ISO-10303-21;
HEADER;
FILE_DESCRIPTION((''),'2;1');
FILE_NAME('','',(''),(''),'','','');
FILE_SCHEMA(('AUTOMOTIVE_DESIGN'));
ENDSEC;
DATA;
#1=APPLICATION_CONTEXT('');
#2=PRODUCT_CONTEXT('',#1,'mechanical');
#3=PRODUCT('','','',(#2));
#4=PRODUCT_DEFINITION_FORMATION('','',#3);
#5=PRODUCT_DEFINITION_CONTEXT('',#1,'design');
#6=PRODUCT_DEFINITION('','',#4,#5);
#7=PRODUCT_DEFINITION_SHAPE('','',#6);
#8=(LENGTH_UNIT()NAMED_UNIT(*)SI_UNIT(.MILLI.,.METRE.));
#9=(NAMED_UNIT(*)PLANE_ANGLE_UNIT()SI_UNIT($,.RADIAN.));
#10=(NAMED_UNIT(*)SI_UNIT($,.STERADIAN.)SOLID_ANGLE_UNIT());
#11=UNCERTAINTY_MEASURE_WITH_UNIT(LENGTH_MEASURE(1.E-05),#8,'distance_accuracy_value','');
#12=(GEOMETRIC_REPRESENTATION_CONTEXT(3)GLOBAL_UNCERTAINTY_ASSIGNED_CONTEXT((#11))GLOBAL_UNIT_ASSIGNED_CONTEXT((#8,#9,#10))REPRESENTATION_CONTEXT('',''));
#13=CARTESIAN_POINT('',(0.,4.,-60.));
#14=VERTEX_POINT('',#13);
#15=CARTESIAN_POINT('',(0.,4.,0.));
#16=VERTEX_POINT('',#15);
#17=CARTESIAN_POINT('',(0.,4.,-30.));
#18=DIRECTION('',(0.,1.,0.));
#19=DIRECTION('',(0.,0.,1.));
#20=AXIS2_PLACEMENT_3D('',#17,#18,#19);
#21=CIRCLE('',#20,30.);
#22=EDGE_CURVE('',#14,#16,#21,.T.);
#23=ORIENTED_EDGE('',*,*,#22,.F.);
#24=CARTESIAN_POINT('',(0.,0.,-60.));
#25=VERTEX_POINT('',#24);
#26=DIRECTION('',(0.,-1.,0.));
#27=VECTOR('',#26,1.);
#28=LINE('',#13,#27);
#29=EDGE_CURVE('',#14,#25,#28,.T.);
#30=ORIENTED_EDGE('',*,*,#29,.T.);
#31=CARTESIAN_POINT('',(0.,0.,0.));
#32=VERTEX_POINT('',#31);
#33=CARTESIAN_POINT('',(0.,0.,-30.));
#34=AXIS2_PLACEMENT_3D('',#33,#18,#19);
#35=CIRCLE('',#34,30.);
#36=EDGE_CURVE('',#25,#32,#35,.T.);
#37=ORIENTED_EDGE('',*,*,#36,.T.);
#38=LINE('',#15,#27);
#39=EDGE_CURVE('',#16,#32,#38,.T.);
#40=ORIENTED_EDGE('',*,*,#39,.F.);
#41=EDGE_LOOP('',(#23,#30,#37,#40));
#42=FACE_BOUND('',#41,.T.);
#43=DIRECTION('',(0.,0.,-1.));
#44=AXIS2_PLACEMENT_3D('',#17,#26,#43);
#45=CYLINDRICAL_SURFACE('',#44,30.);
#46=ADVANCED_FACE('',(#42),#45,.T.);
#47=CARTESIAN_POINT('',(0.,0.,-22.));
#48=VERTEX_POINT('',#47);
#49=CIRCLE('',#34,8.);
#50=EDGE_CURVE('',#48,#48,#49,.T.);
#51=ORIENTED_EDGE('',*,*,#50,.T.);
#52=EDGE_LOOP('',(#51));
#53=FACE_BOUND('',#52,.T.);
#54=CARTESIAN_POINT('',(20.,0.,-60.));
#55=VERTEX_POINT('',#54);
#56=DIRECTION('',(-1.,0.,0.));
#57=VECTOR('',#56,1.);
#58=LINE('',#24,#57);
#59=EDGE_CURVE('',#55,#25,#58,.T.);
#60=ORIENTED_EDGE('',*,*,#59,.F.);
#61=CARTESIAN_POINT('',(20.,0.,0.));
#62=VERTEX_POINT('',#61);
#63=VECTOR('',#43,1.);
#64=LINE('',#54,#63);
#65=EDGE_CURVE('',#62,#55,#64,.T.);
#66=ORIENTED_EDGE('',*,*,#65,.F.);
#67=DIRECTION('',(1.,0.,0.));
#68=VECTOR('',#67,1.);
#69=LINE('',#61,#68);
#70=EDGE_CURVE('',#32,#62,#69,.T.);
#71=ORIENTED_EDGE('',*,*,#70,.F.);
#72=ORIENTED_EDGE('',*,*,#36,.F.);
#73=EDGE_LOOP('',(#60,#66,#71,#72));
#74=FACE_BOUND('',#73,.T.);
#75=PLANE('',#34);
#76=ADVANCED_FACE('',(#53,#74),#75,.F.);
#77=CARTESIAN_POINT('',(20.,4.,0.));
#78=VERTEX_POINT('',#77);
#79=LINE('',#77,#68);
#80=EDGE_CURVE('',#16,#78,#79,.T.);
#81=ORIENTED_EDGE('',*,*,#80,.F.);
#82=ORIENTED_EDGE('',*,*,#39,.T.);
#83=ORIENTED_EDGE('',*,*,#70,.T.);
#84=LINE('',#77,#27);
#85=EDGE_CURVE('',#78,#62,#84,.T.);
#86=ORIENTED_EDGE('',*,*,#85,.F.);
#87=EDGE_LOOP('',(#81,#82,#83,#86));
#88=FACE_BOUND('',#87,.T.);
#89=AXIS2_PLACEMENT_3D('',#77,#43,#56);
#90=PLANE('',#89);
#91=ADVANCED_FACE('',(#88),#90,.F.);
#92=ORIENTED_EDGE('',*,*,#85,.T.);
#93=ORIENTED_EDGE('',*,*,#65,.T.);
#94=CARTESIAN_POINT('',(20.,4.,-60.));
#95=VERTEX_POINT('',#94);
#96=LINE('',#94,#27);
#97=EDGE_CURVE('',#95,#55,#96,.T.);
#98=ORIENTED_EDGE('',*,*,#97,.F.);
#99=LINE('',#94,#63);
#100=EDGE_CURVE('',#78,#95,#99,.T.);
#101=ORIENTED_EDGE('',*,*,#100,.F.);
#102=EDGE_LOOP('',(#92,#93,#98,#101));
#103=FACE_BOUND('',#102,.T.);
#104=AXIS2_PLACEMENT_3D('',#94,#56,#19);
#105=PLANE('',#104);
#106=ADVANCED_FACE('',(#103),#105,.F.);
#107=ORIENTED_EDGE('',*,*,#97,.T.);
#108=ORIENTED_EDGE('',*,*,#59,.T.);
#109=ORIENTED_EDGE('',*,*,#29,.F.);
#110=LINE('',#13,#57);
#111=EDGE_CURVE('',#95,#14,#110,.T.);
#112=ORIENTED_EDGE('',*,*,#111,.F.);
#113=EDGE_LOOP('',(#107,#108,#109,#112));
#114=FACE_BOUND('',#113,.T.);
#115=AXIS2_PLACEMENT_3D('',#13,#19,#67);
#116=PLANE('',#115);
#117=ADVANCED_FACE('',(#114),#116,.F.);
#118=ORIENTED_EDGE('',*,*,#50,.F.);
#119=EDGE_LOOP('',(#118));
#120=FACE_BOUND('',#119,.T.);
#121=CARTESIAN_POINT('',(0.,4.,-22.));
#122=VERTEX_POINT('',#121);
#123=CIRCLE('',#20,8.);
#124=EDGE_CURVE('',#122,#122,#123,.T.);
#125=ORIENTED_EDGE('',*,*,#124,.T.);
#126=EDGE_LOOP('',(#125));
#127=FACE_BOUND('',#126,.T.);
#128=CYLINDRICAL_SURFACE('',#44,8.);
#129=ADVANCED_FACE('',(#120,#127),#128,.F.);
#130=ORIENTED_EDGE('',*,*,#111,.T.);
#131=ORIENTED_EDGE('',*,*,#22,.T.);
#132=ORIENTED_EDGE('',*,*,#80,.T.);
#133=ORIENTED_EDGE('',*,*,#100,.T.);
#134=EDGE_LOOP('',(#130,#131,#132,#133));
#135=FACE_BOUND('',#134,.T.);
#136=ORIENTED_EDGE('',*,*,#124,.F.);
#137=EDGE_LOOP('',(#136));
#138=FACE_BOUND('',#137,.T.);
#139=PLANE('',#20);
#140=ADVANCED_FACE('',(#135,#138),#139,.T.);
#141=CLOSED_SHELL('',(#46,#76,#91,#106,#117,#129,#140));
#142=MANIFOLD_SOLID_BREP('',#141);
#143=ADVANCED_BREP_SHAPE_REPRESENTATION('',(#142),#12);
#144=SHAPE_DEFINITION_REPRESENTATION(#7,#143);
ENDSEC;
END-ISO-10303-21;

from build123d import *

# Parameters (mm, degrees)
SKETCH1_R           = 8
BOSS_EXTRUDE1_DEPTH = 4


with BuildPart() as part:
    # Sketch1 → Boss-Extrude1 (new body)
    with BuildSketch(Plane(origin=(0, 0, 0), x_dir=(1, 0, 0), z_dir=(0, 1, 0))):
        with BuildLine():
            Line((0, 60), (20, 60))
            Line((20, 60), (20, 0))
            Line((20, 0), (0, 0))
            ThreePointArc((0, 0), (-30, 30), (0, 60))
        make_face()
        with Locations(Location((0, 30, 0), (0, 0, 270))):
            Circle(SKETCH1_R, mode=Mode.SUBTRACT)
    extrude(amount=BOSS_EXTRUDE1_DEPTH)


solid = part.part
